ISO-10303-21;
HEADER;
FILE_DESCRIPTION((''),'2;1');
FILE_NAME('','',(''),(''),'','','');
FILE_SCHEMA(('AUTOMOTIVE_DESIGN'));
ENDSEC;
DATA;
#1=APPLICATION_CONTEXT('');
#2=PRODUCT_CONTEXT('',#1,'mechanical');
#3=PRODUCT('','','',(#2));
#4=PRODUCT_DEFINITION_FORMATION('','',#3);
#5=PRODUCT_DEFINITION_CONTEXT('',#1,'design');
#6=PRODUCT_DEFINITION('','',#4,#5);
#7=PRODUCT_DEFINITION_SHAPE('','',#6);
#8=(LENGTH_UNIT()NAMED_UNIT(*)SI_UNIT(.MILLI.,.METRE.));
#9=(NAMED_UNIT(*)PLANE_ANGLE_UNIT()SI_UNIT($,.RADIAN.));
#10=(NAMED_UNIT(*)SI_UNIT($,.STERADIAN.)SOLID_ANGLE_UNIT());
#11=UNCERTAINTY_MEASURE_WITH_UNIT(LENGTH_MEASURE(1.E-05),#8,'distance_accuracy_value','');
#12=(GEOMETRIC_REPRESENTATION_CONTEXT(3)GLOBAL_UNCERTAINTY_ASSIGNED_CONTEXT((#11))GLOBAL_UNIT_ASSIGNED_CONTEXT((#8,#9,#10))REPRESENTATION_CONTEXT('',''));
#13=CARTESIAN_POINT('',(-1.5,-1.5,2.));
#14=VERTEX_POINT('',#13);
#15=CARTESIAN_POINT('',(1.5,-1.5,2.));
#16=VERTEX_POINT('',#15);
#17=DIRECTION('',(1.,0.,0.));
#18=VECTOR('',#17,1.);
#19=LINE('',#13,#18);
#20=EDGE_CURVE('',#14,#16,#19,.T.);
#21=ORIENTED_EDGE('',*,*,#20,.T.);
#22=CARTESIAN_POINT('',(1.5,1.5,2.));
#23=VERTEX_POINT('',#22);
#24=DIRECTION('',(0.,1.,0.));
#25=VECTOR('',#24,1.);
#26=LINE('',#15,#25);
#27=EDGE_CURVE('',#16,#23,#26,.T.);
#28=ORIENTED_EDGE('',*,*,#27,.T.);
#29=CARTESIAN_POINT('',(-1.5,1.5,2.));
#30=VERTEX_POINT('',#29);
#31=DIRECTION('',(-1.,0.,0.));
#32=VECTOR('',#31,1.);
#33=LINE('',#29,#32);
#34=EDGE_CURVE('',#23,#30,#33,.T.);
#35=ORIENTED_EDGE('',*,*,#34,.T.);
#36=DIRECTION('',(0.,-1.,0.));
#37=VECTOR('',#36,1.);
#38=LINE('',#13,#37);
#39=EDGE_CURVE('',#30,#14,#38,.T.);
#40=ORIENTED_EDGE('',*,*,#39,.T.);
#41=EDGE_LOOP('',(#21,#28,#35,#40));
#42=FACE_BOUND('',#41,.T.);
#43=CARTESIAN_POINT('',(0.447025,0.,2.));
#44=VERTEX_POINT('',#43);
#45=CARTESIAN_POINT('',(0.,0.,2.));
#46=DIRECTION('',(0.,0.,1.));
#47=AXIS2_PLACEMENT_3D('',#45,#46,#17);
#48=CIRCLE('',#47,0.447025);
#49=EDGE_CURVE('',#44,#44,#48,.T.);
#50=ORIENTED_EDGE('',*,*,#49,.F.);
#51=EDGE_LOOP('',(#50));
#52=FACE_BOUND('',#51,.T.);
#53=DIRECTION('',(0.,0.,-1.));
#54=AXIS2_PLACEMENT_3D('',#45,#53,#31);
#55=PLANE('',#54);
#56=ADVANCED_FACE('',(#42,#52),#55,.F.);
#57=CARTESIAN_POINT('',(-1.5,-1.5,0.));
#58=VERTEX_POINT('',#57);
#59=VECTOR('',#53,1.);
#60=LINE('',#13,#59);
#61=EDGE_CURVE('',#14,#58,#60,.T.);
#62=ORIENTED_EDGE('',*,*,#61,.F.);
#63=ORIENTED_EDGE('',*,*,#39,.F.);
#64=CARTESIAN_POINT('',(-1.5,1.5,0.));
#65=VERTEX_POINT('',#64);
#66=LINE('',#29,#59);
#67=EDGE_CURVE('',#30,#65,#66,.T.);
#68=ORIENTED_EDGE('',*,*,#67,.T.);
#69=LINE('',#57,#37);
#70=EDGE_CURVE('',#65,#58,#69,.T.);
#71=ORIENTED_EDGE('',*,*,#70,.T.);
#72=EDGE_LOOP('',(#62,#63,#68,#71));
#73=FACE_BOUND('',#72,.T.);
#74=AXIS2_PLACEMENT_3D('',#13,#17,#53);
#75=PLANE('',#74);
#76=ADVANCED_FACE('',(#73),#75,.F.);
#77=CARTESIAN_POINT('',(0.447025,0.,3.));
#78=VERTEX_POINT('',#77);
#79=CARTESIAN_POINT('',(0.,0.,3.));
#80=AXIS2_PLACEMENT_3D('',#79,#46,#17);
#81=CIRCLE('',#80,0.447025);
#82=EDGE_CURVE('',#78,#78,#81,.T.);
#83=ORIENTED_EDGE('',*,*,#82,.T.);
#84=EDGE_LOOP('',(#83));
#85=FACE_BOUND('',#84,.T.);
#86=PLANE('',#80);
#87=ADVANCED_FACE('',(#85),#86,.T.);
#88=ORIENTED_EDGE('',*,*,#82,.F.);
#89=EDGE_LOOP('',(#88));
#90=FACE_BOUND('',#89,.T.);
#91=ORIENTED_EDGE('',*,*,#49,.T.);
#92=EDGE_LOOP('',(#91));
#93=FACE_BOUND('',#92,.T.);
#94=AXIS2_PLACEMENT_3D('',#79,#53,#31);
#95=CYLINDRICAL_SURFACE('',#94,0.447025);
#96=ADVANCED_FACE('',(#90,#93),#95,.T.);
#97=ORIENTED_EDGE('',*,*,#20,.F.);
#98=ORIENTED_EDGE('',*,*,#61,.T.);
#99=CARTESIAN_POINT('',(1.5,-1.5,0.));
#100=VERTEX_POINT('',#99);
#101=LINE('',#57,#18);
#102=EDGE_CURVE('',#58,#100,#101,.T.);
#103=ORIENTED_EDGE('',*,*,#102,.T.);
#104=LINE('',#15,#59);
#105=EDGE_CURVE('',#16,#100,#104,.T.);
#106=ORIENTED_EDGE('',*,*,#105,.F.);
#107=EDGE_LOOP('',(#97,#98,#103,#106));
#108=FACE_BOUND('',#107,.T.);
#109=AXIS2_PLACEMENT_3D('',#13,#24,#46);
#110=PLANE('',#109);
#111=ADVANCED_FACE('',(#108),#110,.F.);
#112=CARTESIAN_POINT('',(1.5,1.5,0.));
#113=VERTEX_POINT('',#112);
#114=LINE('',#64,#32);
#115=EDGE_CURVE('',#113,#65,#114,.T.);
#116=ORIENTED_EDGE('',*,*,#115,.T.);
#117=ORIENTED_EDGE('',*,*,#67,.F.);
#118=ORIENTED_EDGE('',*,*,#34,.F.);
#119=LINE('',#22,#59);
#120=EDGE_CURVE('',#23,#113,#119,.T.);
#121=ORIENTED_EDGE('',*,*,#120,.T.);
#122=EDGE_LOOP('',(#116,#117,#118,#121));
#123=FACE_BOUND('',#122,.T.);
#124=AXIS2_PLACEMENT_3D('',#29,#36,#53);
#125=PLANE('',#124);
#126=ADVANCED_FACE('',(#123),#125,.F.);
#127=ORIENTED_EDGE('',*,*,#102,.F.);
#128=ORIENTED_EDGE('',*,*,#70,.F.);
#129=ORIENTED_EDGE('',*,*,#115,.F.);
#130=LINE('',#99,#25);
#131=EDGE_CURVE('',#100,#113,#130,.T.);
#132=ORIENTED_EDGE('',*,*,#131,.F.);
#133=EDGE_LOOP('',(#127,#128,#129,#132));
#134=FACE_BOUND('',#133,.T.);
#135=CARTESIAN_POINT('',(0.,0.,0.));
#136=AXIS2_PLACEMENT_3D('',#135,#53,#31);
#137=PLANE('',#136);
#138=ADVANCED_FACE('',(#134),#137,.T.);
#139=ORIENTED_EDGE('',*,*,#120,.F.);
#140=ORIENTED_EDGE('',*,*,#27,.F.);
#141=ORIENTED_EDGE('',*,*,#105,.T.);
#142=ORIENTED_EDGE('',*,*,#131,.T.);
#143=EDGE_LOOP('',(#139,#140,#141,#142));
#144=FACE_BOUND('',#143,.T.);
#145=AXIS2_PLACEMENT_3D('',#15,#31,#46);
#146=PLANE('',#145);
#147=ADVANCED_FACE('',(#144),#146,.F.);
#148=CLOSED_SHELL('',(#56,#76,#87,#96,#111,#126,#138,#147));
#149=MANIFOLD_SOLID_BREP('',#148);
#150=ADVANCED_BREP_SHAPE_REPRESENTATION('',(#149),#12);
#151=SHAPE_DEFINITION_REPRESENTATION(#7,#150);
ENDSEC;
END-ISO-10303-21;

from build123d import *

# Parameters (mm, degrees)
SKETCH1_W           = 3
SKETCH1_H           = 3
BOSS_EXTRUDE1_DEPTH = 2
SKETCH2_R           = 0.44702456
BOSS_EXTRUDE2_DEPTH = 1


with BuildPart() as part:
    # Sketch1 → Boss-Extrude1 (new body)
    with BuildSketch(Plane.XY):
        Rectangle(SKETCH1_W, SKETCH1_H)
    extrude(amount=BOSS_EXTRUDE1_DEPTH)

    # Sketch2 → Boss-Extrude2 (add)
    with BuildSketch(Plane.XY.offset(2)):
        Circle(SKETCH2_R)
    extrude(amount=BOSS_EXTRUDE2_DEPTH)


solid = part.part
